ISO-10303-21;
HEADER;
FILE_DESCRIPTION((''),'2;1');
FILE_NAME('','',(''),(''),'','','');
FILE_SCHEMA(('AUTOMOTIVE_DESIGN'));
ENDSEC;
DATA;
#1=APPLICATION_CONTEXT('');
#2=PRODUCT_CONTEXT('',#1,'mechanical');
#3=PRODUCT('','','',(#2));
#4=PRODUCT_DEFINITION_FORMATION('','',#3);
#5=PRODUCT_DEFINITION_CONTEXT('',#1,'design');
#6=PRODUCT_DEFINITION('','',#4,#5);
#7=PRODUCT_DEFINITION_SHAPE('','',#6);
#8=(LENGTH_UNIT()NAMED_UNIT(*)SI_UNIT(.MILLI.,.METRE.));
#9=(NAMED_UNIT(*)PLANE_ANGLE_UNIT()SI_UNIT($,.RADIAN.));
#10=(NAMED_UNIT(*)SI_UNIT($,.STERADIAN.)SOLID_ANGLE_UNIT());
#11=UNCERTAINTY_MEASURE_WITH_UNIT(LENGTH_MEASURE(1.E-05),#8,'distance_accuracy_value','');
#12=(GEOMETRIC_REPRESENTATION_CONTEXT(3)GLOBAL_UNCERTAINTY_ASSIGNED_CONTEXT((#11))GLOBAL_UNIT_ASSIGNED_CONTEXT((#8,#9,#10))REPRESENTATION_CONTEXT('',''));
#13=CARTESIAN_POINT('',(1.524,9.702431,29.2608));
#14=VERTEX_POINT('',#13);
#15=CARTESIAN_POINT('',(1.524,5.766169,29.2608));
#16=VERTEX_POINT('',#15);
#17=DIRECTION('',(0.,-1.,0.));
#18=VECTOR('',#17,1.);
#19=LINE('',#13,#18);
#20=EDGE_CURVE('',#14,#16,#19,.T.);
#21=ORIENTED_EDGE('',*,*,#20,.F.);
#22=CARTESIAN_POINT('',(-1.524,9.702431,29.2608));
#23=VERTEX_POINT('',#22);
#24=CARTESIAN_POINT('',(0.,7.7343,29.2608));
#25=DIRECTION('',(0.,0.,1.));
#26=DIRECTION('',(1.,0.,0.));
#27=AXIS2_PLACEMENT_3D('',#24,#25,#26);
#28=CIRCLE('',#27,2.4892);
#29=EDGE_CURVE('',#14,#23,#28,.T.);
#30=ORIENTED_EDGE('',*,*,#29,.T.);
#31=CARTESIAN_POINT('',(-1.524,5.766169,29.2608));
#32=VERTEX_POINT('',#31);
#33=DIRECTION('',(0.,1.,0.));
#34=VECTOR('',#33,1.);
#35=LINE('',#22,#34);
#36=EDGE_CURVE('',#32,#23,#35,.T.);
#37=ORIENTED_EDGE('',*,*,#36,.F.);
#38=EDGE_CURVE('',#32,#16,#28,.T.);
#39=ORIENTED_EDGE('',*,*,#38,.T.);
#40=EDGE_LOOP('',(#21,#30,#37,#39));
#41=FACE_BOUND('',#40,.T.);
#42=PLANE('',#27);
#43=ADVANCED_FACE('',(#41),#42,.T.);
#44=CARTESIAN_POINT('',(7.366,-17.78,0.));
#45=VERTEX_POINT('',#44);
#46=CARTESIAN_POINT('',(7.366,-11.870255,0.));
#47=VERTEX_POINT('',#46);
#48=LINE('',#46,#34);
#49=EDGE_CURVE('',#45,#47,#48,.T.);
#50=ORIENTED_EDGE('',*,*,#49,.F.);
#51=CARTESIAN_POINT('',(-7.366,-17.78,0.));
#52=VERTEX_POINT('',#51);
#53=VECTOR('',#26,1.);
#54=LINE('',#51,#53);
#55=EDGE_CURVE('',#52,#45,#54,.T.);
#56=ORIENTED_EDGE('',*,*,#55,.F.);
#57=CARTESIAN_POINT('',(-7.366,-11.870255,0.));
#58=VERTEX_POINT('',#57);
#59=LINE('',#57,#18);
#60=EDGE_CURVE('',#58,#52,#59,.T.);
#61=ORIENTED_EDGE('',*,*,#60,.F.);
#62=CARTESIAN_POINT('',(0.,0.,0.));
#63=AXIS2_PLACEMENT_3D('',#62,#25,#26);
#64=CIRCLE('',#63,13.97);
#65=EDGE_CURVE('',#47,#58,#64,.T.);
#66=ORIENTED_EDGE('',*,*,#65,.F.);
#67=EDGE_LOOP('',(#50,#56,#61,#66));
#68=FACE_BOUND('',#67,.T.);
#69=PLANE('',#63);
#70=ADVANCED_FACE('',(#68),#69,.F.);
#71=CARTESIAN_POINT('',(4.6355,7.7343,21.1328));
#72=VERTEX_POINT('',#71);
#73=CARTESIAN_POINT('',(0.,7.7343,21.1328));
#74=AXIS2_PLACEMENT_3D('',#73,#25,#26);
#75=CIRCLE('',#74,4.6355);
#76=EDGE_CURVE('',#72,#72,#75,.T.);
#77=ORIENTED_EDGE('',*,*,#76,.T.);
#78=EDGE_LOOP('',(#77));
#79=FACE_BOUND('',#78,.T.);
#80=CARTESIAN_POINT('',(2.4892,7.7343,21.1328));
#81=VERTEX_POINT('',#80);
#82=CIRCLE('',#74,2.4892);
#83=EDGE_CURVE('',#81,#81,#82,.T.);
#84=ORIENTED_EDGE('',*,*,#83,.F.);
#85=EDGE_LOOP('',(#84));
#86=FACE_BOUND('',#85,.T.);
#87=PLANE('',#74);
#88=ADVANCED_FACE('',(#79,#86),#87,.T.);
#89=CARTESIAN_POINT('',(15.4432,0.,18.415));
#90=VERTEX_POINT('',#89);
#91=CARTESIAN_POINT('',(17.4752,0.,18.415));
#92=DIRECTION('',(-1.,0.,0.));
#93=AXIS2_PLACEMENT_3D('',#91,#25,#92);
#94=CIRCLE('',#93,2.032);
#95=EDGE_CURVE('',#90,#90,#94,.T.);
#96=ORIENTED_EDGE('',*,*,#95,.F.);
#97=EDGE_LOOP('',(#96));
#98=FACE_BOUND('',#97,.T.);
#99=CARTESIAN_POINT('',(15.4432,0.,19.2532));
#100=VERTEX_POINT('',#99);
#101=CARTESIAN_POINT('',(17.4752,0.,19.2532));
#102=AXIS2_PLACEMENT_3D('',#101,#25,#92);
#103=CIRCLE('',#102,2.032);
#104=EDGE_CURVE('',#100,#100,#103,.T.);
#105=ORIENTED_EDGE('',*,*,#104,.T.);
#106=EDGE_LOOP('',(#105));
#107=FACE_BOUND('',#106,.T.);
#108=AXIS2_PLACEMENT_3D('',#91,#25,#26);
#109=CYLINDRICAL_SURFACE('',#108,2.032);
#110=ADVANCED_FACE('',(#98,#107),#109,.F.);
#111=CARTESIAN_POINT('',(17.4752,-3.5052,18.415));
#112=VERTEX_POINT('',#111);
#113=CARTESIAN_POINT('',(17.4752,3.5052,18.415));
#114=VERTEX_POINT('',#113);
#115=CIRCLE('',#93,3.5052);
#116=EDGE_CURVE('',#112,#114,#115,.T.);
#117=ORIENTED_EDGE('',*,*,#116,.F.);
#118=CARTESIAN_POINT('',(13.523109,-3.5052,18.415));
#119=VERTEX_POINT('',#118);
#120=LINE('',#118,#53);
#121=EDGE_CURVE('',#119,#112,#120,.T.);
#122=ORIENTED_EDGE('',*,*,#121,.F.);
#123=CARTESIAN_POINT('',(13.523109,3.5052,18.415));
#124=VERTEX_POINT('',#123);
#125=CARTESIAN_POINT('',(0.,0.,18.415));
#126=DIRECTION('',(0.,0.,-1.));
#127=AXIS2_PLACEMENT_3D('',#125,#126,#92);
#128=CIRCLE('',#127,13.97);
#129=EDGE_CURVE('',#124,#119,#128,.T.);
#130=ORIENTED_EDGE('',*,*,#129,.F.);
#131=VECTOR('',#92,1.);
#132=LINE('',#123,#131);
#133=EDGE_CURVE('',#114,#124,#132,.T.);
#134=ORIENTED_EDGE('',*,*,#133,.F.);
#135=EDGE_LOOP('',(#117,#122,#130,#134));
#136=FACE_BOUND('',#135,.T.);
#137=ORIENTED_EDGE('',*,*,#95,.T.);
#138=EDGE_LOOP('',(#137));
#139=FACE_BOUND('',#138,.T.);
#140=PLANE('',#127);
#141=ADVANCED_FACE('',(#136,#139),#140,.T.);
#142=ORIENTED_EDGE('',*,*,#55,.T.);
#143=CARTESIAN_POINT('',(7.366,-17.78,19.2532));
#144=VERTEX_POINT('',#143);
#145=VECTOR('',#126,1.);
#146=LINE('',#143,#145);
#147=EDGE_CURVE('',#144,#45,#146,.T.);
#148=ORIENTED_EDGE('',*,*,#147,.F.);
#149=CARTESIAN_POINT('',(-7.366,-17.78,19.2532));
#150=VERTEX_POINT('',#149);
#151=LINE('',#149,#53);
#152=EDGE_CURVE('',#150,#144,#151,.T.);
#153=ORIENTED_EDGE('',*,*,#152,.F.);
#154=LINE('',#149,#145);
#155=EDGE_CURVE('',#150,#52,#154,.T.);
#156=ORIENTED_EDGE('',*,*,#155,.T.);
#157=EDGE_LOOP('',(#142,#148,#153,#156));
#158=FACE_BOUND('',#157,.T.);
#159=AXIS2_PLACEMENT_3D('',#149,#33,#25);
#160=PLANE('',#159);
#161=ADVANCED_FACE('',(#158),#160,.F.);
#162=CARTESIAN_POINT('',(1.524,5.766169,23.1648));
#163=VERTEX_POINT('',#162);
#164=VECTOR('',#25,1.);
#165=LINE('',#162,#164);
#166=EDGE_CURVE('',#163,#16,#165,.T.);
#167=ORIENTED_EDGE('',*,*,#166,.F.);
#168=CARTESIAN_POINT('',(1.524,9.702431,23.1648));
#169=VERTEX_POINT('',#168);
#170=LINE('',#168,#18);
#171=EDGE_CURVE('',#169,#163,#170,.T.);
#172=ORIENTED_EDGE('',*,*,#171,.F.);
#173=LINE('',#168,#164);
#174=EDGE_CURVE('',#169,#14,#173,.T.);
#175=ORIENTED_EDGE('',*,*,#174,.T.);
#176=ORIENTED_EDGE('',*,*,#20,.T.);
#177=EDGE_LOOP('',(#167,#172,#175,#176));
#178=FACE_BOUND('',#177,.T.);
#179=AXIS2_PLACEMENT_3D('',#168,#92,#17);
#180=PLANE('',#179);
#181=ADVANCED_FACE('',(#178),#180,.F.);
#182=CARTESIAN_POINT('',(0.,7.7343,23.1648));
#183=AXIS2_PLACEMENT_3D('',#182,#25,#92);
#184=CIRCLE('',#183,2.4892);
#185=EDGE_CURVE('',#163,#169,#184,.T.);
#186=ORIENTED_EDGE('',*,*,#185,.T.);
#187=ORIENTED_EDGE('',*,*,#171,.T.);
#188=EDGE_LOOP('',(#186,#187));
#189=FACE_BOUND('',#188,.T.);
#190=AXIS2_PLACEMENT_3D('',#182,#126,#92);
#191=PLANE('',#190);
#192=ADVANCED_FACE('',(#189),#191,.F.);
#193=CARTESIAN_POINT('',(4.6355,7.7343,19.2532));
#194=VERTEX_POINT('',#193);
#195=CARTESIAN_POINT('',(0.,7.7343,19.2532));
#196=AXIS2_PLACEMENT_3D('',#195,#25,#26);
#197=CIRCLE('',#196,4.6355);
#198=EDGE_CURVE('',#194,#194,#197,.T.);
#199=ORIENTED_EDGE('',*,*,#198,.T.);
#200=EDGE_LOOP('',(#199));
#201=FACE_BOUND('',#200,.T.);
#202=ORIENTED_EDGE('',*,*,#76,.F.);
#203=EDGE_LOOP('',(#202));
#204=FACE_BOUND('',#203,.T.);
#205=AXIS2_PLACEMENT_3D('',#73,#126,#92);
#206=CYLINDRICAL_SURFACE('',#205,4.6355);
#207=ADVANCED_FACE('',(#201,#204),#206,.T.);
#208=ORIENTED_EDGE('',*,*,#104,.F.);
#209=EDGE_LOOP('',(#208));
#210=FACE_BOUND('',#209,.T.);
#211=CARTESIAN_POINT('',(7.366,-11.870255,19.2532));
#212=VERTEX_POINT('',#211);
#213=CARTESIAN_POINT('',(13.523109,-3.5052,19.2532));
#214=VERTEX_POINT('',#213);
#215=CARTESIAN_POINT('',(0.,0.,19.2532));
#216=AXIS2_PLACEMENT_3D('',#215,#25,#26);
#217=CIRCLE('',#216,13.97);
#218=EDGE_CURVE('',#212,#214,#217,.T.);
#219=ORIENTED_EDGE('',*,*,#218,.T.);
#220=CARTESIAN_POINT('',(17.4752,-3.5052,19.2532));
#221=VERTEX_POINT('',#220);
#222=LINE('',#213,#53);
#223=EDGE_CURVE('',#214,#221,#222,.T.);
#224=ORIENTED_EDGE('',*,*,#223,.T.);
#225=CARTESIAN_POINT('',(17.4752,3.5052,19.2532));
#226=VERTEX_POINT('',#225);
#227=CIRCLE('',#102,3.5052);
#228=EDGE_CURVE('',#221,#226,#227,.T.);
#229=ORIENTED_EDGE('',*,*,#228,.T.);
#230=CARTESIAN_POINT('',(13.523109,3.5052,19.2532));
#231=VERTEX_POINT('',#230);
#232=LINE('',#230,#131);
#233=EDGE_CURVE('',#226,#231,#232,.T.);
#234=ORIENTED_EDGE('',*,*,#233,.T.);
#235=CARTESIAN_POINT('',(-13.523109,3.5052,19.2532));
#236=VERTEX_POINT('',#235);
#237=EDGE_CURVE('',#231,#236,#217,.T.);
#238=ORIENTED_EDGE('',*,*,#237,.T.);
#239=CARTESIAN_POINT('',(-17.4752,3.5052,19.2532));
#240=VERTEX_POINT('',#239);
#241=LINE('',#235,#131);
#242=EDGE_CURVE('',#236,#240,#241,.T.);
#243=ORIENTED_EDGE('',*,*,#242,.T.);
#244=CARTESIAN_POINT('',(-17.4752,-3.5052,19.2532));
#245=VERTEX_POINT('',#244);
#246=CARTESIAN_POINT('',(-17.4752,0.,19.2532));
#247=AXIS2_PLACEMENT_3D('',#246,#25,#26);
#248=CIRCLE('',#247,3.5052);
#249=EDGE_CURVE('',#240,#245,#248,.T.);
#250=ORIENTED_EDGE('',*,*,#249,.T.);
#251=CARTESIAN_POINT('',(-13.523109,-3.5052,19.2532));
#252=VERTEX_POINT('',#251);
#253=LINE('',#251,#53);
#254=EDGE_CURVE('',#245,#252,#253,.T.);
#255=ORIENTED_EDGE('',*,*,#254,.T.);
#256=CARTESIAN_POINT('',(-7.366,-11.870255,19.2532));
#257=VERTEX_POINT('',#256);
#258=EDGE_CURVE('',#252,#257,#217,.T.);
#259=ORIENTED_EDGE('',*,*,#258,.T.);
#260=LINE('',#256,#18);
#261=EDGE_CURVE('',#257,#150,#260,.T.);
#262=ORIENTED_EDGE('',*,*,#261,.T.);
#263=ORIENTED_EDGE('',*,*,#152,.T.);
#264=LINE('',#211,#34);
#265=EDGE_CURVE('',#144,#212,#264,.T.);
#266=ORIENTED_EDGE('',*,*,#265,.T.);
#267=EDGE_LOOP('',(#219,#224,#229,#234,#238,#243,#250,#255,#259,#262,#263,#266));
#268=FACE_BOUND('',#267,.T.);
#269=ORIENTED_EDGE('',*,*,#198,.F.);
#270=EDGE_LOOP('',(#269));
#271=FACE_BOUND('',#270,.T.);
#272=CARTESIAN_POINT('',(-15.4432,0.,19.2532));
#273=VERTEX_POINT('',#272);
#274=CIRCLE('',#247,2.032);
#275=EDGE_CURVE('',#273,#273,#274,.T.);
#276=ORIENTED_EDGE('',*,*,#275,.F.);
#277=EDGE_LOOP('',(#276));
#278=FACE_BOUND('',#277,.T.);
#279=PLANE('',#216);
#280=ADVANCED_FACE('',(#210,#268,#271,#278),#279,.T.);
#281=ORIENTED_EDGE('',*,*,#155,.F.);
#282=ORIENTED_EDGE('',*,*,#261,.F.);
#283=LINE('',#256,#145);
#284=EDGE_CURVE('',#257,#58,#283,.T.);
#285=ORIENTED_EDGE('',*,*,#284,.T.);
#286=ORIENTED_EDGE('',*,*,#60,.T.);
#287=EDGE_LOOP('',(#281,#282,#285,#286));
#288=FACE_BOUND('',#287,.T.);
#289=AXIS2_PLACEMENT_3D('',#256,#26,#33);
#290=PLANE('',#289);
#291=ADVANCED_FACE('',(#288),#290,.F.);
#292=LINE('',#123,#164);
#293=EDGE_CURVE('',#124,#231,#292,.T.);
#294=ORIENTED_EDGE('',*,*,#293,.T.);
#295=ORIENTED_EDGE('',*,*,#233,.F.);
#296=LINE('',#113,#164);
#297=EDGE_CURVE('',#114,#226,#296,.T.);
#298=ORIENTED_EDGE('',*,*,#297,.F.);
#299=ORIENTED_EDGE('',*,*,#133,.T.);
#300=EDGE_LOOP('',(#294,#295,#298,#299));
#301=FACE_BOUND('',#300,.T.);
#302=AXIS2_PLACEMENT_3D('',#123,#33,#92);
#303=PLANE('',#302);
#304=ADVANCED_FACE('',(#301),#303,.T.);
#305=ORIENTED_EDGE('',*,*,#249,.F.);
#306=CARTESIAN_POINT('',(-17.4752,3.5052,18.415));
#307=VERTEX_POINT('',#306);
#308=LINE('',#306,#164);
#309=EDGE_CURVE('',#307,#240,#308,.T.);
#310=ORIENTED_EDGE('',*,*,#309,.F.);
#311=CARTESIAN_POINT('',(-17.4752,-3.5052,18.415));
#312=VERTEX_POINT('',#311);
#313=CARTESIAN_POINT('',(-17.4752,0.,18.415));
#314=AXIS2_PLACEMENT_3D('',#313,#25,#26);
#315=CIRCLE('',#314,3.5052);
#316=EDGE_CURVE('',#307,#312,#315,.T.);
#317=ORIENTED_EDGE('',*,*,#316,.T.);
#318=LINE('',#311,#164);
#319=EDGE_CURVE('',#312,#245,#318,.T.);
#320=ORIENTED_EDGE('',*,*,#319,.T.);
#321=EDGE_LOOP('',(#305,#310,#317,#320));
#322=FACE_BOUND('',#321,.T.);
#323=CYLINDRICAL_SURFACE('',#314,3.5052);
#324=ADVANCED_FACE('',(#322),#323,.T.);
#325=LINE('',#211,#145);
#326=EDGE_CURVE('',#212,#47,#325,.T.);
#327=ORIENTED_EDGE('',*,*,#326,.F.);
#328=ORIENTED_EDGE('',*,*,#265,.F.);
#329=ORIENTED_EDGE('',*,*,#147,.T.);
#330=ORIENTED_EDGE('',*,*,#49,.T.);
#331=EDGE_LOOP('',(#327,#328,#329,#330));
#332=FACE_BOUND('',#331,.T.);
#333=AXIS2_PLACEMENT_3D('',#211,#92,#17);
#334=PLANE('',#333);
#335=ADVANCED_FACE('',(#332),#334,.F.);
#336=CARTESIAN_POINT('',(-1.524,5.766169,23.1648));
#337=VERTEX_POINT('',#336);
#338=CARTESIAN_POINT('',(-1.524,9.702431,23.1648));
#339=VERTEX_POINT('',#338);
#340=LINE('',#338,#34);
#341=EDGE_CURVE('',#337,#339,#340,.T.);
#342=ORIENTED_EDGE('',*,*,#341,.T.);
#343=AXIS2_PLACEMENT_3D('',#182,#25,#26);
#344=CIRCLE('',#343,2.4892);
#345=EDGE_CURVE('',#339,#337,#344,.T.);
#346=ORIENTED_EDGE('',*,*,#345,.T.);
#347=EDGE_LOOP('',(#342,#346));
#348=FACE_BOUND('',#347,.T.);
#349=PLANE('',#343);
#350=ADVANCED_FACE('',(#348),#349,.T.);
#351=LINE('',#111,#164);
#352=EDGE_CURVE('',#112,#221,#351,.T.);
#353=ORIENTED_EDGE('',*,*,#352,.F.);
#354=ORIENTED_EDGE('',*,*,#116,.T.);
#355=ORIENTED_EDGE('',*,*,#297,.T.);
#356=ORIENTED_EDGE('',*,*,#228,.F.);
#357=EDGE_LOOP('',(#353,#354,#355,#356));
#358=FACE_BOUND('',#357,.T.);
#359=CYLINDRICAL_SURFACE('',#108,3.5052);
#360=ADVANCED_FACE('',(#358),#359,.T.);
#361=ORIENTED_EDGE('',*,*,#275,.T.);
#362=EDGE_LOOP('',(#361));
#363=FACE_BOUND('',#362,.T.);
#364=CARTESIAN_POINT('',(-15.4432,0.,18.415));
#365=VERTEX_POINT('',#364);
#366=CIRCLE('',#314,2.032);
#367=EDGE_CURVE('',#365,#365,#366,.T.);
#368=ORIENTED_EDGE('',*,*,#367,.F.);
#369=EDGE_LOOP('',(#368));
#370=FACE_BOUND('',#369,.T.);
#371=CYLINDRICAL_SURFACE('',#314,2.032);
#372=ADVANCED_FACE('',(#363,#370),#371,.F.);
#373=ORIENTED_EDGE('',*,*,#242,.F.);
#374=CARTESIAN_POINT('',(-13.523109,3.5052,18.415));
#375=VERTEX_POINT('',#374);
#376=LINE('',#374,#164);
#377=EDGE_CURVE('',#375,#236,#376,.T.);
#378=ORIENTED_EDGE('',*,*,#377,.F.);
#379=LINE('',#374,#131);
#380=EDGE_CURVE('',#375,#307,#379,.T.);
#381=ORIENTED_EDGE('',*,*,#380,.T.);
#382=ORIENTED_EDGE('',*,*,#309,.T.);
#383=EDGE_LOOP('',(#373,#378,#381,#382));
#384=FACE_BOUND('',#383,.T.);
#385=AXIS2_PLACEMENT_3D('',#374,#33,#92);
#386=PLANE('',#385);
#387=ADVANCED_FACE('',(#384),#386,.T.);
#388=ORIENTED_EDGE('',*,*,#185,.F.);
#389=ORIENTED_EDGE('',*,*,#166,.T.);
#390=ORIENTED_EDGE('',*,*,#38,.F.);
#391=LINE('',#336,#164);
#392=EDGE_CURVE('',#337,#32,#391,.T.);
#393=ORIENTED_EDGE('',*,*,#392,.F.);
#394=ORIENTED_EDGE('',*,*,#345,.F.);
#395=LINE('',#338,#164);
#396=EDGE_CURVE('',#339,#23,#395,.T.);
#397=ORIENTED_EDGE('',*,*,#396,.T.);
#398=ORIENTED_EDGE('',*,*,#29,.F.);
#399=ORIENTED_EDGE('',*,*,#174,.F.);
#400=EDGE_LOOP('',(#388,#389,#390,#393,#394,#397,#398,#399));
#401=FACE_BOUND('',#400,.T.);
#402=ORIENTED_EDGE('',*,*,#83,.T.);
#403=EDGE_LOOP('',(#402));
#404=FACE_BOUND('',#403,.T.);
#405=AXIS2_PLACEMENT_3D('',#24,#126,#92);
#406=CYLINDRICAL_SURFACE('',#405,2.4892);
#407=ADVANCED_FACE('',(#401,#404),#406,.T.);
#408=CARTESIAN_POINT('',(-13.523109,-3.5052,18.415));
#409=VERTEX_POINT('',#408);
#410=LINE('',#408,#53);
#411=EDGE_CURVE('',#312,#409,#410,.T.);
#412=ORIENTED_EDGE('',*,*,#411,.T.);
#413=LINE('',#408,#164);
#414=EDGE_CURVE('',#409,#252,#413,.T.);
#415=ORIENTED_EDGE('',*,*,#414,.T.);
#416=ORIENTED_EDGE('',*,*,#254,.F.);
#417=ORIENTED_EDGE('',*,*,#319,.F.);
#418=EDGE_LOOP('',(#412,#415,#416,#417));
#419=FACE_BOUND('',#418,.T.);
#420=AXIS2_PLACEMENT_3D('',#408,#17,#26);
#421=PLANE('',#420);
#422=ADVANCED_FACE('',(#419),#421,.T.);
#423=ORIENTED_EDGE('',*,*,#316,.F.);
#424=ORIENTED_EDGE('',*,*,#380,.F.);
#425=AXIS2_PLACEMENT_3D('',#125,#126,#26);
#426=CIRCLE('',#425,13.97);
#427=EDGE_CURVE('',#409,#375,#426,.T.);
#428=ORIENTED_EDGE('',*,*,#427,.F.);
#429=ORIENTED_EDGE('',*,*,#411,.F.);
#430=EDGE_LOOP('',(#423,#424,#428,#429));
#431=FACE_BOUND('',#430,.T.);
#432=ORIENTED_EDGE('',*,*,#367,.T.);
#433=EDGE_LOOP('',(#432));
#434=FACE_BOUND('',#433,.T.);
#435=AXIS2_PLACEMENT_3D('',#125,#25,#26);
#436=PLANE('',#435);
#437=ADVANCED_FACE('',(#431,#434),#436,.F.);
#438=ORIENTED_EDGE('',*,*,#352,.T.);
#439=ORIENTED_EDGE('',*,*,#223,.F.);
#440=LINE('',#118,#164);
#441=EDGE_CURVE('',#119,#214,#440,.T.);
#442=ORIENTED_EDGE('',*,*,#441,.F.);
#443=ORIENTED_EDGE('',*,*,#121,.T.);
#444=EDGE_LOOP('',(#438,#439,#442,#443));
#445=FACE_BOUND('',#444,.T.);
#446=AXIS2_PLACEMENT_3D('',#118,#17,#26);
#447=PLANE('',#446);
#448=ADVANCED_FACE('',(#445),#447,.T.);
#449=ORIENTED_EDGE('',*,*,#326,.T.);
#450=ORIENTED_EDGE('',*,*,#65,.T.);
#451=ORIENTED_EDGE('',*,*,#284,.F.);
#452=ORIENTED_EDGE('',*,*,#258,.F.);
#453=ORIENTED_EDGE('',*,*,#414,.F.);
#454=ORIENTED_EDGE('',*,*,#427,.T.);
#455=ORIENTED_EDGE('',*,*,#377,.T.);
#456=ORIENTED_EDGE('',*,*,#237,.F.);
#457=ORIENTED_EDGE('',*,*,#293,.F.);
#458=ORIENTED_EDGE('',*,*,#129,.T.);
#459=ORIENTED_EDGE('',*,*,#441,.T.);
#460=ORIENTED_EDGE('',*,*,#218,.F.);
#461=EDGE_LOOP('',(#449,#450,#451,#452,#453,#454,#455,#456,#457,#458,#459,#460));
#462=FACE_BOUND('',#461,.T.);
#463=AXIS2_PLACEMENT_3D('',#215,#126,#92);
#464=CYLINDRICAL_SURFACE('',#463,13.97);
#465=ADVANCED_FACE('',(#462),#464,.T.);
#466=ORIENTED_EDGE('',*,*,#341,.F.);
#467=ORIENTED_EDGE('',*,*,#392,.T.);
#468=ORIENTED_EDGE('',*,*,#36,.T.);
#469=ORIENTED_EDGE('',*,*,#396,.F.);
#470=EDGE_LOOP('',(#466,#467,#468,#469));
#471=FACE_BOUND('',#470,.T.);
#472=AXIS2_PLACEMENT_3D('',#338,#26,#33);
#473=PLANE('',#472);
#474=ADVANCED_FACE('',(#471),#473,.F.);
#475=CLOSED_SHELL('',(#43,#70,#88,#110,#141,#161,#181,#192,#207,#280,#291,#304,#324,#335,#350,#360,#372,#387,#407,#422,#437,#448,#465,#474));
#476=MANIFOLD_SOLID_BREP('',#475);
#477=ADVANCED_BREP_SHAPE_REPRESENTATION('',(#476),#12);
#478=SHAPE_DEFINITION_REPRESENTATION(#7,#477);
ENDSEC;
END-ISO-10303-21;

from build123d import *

# Parameters (mm, degrees)
BOSS_EXTRUDE1_DEPTH = 19.2532
BOSS_EXTRUDE2_START = -0.8382
SKETCH2_R           = 2.032
BOSS_EXTRUDE2_DEPTH = 0.8382
SKETCH3_R           = 4.6355
BOSS_EXTRUDE3_DEPTH = 1.8796
SKETCH4_R           = 2.4892
BOSS_EXTRUDE4_DEPTH = 8.128
CUT_EXTRUDE1_START  = -6.096
CUT_EXTRUDE1_DEPTH  = 6.096


with BuildPart() as part:
    # Sketch1 → Boss-Extrude1 (new body)
    with BuildSketch(Plane.XY):
        with BuildLine():
            Line((-7.366, -17.78), (7.366, -17.78))
            Line((7.366, -17.78), (7.366, -11.870254589))
            ThreePointArc((7.366, -11.870254589), (0, 13.97), (-7.366, -11.870254589))
            Line((-7.366, -11.870254589), (-7.366, -17.78))
        make_face()
    extrude(amount=BOSS_EXTRUDE1_DEPTH)

    # Sketch2 → Boss-Extrude2 (add)
    # profile 1 of 2: a face of its own
    with BuildSketch(Plane.XY.offset(19.2532).offset(BOSS_EXTRUDE2_START)):
        with BuildLine():
            Line((-13.52310885, -3.5052), (-17.4752, -3.5052))
            ThreePointArc((-17.4752, -3.5052), (-20.9804, 0), (-17.4752, 3.5052))
            Line((-17.4752, 3.5052), (-13.52310885, 3.5052))
            ThreePointArc((-13.52310885, 3.5052), (-13.97, 0), (-13.52310885, -3.5052))
        make_face()
        with Locations((-17.4752, 0)):
            Circle(SKETCH2_R, mode=Mode.SUBTRACT)
    # profile 2 of 2: a face of its own
    with BuildSketch(Plane.XY.offset(19.2532).offset(BOSS_EXTRUDE2_START)):
        with BuildLine():
            Line((13.52310885, 3.5052), (17.4752, 3.5052))
            ThreePointArc((17.4752, 3.5052), (20.9804, 0), (17.4752, -3.5052))
            Line((17.4752, -3.5052), (13.52310885, -3.5052))
            ThreePointArc((13.52310885, -3.5052), (13.97, 0), (13.52310885, 3.5052))
        make_face()
        with Locations(Location((17.4752, 0, 0), (0, 0, 180))):
            Circle(SKETCH2_R, mode=Mode.SUBTRACT)
    extrude(amount=BOSS_EXTRUDE2_DEPTH)

    # Sketch3 → Boss-Extrude3 (add)
    with BuildSketch(Plane.XY.offset(19.2532)):
        with Locations((0, 7.7343)):
            Circle(SKETCH3_R)
    extrude(amount=BOSS_EXTRUDE3_DEPTH)

    # Sketch4 → Boss-Extrude4 (add)
    with BuildSketch(Plane.XY.offset(21.1328)):
        with Locations((0, 7.7343)):
            Circle(SKETCH4_R)
    extrude(amount=BOSS_EXTRUDE4_DEPTH)

    # Sketch5 → Cut-Extrude1 (cut)
    with BuildSketch(Plane.XY.offset(29.2608).offset(CUT_EXTRUDE1_START)):
        with BuildLine():
            Line((-1.524, 9.702431256), (-1.524, 5.766168744))
            ThreePointArc((-1.524, 5.766168744), (-2.4892, 7.7343), (-1.524, 9.702431256))
        make_face()
        with BuildLine():
            Line((1.524, 9.702431256), (1.524, 5.766168744))
            ThreePointArc((1.524, 5.766168744), (2.4892, 7.7343), (1.524, 9.702431256))
        make_face()
    extrude(amount=CUT_EXTRUDE1_DEPTH, mode=Mode.SUBTRACT)


solid = part.part
